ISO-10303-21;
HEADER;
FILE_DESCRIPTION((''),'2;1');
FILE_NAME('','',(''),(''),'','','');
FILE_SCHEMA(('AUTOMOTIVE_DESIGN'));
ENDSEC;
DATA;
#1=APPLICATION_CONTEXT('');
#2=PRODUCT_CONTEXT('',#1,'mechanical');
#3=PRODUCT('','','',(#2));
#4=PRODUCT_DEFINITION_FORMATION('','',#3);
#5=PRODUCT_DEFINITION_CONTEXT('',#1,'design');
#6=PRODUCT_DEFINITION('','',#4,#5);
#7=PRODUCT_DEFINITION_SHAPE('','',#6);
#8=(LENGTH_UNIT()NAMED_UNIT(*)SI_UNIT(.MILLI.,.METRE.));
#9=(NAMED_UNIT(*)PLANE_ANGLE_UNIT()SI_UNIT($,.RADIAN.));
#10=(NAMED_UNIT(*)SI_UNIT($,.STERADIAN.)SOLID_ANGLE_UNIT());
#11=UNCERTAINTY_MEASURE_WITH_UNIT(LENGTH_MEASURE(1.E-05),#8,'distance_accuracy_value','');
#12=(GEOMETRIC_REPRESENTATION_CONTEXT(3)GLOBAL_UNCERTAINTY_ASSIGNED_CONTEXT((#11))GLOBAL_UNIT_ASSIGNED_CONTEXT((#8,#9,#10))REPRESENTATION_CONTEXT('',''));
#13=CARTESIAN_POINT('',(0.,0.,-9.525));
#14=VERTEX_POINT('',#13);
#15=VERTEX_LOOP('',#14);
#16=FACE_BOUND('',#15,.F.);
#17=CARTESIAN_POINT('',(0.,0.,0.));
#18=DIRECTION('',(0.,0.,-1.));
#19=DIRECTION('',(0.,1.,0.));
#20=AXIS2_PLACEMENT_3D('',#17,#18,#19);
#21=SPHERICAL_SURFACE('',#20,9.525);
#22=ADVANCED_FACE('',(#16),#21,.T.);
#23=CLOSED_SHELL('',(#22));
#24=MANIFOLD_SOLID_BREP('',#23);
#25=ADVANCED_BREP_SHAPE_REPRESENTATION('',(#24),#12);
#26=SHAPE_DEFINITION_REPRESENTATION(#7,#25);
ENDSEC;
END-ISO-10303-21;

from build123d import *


with BuildPart() as part:
    # Sketch2 → Revolve1 (revolve)
    with BuildSketch(Plane.YZ):
        with BuildLine():
            Line((0, -9.525), (0, 9.525))
            ThreePointArc((0, 9.525), (9.525, 0), (0, -9.525))
        make_face()
    revolve(axis=Axis((0, 0, -9.525), (0, 0, 1)))


solid = part.part
